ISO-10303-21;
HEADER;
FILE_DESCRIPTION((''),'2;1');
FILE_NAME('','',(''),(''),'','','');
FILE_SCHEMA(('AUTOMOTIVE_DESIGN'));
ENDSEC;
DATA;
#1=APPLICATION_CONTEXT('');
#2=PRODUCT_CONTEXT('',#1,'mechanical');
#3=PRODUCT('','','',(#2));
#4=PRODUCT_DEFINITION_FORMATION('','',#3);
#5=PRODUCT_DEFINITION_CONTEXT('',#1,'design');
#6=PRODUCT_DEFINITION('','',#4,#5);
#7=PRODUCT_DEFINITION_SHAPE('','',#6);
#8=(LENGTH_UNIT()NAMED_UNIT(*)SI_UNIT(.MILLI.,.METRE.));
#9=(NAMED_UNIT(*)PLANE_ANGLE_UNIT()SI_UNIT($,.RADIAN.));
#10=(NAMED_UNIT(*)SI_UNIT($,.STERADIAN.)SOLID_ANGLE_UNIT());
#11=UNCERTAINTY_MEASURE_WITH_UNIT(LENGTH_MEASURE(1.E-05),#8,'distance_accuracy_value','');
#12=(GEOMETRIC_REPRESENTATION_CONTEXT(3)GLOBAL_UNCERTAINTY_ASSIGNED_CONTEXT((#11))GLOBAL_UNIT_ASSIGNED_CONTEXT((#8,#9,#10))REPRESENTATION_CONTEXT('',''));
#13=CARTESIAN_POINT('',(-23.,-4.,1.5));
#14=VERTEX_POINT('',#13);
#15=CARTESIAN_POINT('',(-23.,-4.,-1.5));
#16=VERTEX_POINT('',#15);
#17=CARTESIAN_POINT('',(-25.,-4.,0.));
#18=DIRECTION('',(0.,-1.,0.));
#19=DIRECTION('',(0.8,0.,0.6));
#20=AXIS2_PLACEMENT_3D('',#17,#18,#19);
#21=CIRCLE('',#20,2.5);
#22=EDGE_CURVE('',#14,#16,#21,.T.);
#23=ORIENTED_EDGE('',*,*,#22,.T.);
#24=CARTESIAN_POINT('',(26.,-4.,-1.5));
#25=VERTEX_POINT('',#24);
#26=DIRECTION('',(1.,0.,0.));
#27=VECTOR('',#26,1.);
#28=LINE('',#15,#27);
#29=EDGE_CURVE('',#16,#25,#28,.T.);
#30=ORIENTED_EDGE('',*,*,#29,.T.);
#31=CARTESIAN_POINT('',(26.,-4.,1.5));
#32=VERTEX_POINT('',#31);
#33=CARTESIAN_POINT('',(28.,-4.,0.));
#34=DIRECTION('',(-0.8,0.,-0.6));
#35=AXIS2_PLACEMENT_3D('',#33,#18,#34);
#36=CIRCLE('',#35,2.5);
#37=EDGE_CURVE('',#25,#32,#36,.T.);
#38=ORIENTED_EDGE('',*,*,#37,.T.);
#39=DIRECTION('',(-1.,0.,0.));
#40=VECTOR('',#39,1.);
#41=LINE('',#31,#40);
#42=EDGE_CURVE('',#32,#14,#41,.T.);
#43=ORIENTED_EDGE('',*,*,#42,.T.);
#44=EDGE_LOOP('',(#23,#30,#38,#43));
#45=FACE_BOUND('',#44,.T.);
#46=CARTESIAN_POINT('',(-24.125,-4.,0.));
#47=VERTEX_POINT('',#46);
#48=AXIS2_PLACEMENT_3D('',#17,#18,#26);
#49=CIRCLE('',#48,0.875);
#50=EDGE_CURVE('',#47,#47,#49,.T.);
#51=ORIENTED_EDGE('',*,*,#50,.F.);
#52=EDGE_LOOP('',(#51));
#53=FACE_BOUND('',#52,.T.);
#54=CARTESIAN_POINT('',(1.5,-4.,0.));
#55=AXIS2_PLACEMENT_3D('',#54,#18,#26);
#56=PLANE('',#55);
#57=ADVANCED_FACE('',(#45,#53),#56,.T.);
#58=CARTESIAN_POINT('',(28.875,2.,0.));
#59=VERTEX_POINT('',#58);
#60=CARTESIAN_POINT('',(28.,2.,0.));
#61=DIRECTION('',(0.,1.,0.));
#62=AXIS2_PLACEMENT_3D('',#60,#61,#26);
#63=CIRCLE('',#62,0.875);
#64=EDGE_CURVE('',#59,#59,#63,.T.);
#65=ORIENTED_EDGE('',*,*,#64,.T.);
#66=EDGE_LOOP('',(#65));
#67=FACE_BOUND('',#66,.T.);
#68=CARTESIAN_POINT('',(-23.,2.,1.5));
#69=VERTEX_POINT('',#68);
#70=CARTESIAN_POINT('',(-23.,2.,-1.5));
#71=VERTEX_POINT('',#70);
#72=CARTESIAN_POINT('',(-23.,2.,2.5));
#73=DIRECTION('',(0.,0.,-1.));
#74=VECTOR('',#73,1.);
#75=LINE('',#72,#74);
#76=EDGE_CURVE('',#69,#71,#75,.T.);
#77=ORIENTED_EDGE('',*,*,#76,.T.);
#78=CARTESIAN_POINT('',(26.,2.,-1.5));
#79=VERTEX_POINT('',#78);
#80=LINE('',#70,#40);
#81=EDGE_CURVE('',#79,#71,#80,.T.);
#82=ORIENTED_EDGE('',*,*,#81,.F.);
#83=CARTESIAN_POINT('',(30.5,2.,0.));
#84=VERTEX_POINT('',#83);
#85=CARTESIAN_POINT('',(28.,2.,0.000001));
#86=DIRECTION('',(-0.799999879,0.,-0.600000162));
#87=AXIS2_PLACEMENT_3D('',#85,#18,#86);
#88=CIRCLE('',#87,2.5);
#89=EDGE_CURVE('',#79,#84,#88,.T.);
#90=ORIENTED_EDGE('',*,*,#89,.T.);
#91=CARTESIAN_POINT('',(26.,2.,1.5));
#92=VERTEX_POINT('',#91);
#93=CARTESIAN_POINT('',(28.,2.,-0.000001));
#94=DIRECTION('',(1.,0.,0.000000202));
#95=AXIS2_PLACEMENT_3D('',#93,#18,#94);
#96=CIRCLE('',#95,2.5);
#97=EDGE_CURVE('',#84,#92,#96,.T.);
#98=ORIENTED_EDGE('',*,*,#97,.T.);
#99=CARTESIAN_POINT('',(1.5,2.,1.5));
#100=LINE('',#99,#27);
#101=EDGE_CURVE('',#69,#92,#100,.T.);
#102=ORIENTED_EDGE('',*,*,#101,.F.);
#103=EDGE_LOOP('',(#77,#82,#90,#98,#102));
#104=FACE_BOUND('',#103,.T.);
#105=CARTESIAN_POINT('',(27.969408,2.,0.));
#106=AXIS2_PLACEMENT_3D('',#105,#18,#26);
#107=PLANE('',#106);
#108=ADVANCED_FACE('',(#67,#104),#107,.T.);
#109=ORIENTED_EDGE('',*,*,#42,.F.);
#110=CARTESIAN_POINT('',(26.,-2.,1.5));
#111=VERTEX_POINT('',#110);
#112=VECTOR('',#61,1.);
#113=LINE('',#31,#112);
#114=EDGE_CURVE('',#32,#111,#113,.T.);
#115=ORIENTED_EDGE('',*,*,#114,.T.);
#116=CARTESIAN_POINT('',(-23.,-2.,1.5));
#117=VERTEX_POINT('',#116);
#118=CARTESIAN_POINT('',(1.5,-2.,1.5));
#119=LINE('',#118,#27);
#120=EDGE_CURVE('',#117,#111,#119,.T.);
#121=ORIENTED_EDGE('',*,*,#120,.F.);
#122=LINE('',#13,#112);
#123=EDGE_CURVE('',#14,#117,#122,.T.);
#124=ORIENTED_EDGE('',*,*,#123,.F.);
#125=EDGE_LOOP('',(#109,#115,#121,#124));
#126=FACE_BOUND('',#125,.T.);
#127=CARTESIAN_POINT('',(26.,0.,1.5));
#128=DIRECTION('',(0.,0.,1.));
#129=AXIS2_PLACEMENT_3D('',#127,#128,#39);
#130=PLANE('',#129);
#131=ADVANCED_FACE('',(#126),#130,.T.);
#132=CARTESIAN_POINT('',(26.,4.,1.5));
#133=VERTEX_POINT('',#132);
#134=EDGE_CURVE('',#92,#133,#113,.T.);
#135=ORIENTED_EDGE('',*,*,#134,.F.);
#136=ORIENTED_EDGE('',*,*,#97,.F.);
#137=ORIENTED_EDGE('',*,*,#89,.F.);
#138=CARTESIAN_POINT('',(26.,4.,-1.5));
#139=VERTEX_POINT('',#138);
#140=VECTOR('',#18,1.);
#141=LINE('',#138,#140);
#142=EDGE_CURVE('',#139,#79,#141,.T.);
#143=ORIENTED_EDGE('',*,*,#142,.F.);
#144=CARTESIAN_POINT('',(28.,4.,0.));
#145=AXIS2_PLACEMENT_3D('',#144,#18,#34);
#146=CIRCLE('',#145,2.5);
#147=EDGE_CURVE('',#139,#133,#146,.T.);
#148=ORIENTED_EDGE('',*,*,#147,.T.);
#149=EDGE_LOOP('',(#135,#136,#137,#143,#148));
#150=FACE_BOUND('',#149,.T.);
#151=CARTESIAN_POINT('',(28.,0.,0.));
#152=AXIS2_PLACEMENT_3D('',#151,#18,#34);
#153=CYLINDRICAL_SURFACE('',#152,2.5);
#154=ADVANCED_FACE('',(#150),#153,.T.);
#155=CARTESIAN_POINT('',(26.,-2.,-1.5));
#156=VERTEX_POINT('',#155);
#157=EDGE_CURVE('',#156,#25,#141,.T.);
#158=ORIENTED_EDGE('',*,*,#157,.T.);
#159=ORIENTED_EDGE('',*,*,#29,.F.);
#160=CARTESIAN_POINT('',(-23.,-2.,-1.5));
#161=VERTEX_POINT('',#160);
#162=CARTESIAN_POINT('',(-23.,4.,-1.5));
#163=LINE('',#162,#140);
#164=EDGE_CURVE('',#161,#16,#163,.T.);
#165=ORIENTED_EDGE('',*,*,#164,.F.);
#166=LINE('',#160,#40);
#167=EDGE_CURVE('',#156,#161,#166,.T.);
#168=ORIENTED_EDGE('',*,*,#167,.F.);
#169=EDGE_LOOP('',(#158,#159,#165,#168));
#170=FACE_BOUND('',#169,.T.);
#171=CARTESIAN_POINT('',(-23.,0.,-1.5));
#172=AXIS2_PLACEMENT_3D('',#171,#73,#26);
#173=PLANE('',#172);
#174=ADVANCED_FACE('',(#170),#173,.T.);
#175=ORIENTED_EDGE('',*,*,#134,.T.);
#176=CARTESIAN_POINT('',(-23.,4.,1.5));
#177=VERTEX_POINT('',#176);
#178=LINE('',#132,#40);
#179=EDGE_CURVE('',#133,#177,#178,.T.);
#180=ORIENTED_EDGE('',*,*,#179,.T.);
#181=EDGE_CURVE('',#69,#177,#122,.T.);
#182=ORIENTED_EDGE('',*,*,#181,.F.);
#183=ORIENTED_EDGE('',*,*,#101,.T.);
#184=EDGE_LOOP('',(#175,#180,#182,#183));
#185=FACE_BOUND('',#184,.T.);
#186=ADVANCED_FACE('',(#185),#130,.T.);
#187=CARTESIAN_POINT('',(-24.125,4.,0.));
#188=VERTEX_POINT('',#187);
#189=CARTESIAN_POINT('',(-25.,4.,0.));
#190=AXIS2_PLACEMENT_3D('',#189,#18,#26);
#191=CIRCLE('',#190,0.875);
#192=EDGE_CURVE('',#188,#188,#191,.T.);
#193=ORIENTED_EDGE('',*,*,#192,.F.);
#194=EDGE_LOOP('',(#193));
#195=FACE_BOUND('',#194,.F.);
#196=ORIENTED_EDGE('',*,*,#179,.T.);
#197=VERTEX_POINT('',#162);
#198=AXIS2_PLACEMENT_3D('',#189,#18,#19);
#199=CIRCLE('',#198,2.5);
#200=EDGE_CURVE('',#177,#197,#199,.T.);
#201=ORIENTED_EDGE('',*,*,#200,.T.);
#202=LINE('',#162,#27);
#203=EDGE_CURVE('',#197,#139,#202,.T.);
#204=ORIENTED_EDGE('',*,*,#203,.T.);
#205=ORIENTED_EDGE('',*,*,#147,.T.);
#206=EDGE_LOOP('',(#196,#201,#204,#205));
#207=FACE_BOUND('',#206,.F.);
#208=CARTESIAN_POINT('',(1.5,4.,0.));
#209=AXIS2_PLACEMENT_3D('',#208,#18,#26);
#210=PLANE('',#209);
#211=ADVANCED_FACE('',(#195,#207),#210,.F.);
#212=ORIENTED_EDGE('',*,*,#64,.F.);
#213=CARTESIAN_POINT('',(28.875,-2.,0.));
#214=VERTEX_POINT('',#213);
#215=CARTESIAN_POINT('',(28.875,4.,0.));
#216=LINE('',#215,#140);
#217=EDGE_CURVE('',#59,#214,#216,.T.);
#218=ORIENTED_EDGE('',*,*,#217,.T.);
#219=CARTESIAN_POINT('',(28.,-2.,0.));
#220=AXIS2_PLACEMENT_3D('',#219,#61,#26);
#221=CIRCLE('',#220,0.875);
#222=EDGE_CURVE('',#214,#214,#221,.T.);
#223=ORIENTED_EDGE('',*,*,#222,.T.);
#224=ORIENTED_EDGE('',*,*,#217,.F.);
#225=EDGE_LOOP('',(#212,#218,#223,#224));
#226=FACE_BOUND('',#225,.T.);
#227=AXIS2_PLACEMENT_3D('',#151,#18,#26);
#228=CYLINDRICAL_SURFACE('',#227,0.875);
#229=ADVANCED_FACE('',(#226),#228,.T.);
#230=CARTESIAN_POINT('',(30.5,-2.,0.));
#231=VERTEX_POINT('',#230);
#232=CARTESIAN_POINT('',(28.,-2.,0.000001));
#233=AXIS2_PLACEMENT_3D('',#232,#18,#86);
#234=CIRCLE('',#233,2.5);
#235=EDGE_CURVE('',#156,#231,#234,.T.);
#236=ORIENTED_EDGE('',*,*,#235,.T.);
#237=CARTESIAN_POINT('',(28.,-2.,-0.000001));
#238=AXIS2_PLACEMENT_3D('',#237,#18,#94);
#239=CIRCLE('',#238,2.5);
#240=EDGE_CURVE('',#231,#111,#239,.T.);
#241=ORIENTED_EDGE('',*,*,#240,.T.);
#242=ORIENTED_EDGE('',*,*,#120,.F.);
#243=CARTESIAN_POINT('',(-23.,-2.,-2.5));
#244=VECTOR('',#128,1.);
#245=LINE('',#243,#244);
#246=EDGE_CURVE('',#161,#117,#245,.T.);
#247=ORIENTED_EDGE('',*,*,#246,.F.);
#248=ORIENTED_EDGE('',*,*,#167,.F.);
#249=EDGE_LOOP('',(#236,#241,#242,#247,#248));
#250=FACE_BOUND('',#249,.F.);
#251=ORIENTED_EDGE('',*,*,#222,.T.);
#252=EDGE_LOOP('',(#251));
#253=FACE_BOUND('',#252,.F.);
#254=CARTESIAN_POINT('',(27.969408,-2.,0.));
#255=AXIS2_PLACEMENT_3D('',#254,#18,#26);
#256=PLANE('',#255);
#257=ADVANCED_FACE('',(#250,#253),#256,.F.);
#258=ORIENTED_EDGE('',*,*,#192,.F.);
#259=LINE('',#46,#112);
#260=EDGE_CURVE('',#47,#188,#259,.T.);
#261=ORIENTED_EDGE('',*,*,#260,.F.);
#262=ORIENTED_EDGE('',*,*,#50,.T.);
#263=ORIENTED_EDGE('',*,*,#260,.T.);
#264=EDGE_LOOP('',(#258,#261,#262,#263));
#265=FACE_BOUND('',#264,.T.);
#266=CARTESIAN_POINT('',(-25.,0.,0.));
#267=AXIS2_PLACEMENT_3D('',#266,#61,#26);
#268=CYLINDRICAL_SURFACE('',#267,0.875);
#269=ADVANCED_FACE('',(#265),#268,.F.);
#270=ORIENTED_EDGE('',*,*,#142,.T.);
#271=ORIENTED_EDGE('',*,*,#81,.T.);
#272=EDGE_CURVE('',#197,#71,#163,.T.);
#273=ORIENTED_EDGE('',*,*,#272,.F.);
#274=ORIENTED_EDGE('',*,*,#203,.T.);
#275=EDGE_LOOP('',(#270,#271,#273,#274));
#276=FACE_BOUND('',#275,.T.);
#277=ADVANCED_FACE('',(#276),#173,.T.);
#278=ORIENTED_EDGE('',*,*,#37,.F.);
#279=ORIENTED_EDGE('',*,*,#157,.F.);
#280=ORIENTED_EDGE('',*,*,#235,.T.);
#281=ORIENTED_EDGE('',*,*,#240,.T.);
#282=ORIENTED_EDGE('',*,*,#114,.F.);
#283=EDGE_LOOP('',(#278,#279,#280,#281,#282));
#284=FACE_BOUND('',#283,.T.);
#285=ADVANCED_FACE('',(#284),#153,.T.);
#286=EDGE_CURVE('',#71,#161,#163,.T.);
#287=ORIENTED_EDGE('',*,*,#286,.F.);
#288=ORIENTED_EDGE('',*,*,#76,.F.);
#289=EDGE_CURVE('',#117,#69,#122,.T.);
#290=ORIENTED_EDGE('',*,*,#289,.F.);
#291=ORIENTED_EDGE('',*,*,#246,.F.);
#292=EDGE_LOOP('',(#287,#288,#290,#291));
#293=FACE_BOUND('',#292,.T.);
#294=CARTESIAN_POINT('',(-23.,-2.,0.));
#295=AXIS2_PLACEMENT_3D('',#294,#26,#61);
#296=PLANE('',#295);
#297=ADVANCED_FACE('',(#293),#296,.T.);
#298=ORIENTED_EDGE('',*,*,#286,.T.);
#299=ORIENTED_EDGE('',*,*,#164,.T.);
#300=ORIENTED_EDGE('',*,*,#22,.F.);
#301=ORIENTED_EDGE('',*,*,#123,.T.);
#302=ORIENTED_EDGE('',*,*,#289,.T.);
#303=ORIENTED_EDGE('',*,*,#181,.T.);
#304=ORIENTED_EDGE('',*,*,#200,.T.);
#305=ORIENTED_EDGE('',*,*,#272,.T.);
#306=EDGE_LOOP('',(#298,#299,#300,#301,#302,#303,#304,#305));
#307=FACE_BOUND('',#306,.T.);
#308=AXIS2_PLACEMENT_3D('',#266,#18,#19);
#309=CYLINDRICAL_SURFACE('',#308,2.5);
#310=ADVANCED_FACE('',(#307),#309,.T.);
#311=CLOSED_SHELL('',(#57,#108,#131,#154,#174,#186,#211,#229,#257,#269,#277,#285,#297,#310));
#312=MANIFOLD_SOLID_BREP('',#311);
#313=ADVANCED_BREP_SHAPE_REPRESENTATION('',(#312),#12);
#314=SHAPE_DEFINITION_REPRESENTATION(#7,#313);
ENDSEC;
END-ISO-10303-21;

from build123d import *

# Parameters (mm, degrees)
F0_R     = 0.875
F1_DEPTH = 4
F3_DEPTH = 2
F4_DEPTH = 4
F5_W     = 49
F5_H     = 4
F6_DEPTH = 2.5


with BuildPart() as f1:
    # F0 (on Front) → F1 (new body, symmetric)
    with BuildSketch(Plane.XZ):
        with BuildLine():
            ThreePointArc((-23, 1.5), (-27.5, 0), (-23, -1.5))
            Line((-23, -1.5), (26, -1.5))
            ThreePointArc((26, -1.5), (30.5, 0), (26, 1.5))
            Line((26, 1.5), (-23, 1.5))
        make_face()
        with Locations((-25, 0)):
            Circle(F0_R, mode=Mode.SUBTRACT)
        with Locations((28, 0)):
            Circle(F0_R, mode=Mode.SUBTRACT)
    extrude(amount=F1_DEPTH, both=True)

    # F2 (on Front) → F3 (cut, symmetric)
    with BuildSketch(Plane.XZ):
        with BuildLine():
            ThreePointArc((26, -1.5), (28.790569, -2.371708), (30.5, 0))
            ThreePointArc((30.5, 0), (28.790569, 2.371708), (26, 1.5))
            ThreePointArc((26, 1.5), (25.5, 0), (26, -1.5))
        make_face()
    extrude(amount=F3_DEPTH, both=True, mode=Mode.SUBTRACT)

    # F0 (on Front) → F4 (join, symmetric)
    with BuildSketch(Plane.XZ):
        with Locations((28, 0)):
            Circle(F0_R)
    extrude(amount=F4_DEPTH, both=True)

    # F5 (on Top) → F6 (cut, symmetric)
    with BuildSketch(Plane.XY):
        with Locations((1.5, 0)):
            Rectangle(F5_W, F5_H)
    extrude(amount=F6_DEPTH, both=True, mode=Mode.SUBTRACT)


solid = f1.part
